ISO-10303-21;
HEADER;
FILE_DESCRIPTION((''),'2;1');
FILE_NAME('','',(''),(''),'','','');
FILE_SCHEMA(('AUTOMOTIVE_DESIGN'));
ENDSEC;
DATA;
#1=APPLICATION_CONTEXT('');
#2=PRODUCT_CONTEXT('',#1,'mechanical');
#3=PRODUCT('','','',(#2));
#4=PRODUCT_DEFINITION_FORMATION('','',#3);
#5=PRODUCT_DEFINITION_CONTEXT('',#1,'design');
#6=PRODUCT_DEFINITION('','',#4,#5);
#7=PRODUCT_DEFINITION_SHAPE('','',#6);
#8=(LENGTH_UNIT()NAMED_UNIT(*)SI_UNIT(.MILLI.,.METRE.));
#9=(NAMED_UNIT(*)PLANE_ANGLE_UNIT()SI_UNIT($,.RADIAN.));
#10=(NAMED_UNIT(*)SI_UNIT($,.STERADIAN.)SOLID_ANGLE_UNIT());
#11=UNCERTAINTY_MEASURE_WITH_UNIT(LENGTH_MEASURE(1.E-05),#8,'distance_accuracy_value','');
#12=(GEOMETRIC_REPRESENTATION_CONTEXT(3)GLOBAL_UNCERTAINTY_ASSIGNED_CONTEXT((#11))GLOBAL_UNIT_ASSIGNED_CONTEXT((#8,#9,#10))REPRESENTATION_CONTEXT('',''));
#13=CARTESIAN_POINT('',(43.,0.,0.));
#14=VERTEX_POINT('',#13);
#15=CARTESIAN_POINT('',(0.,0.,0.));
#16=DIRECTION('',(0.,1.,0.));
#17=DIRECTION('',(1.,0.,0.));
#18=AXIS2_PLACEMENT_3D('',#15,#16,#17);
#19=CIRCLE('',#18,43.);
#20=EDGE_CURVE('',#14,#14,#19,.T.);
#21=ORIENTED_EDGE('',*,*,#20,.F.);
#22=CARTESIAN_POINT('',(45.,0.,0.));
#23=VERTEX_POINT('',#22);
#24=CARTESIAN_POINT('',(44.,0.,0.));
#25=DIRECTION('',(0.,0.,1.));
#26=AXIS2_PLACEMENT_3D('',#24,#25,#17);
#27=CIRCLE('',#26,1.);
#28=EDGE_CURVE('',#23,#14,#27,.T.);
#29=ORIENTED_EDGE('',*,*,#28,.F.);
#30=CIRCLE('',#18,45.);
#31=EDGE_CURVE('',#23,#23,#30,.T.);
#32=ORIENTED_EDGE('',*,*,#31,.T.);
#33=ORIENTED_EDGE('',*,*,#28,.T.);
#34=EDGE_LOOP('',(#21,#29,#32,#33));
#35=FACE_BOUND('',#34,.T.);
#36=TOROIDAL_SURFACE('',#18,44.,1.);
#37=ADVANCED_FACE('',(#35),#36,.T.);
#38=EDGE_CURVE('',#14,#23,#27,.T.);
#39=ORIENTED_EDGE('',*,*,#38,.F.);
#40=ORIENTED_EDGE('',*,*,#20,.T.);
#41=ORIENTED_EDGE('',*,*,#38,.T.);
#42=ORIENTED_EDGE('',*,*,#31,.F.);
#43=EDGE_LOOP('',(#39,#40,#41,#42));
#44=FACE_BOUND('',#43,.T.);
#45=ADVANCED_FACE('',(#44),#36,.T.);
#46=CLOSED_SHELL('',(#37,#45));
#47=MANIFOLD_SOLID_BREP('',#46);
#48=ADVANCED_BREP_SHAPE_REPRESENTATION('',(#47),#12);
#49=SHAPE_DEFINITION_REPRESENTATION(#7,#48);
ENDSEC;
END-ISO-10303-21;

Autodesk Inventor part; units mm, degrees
ref_plane "YZ Plane" through (0, 0, 0) normal (1, 0, 0) x (0, 1, 0)
ref_plane "XZ Plane" through (0, 0, 0) normal (0, 1, 0) x (-1, 0, 0)
ref_plane "XY Plane" through (0, 0, 0) normal (0, 0, 1) x (1, 0, 0)
sketch "Эскиз1" plane through (0, 0, 0) normal (0, 0, 1) x (1, 0, 0)
  line L0 (0, 0) -> (44, 0)
  circle A0 centre (44, 0) radius 1
  line L1 (0, -1.4) -> (0, 1.4) projected
  dimension "d0" = 44
  dimension "d1" = 2
revolve "Вращение1" add sketch "Эскиз1" angle 360 about axis through (0, -10, 0) along (0, 1, 0)
properties part number "Пружина сальника_CPY"
